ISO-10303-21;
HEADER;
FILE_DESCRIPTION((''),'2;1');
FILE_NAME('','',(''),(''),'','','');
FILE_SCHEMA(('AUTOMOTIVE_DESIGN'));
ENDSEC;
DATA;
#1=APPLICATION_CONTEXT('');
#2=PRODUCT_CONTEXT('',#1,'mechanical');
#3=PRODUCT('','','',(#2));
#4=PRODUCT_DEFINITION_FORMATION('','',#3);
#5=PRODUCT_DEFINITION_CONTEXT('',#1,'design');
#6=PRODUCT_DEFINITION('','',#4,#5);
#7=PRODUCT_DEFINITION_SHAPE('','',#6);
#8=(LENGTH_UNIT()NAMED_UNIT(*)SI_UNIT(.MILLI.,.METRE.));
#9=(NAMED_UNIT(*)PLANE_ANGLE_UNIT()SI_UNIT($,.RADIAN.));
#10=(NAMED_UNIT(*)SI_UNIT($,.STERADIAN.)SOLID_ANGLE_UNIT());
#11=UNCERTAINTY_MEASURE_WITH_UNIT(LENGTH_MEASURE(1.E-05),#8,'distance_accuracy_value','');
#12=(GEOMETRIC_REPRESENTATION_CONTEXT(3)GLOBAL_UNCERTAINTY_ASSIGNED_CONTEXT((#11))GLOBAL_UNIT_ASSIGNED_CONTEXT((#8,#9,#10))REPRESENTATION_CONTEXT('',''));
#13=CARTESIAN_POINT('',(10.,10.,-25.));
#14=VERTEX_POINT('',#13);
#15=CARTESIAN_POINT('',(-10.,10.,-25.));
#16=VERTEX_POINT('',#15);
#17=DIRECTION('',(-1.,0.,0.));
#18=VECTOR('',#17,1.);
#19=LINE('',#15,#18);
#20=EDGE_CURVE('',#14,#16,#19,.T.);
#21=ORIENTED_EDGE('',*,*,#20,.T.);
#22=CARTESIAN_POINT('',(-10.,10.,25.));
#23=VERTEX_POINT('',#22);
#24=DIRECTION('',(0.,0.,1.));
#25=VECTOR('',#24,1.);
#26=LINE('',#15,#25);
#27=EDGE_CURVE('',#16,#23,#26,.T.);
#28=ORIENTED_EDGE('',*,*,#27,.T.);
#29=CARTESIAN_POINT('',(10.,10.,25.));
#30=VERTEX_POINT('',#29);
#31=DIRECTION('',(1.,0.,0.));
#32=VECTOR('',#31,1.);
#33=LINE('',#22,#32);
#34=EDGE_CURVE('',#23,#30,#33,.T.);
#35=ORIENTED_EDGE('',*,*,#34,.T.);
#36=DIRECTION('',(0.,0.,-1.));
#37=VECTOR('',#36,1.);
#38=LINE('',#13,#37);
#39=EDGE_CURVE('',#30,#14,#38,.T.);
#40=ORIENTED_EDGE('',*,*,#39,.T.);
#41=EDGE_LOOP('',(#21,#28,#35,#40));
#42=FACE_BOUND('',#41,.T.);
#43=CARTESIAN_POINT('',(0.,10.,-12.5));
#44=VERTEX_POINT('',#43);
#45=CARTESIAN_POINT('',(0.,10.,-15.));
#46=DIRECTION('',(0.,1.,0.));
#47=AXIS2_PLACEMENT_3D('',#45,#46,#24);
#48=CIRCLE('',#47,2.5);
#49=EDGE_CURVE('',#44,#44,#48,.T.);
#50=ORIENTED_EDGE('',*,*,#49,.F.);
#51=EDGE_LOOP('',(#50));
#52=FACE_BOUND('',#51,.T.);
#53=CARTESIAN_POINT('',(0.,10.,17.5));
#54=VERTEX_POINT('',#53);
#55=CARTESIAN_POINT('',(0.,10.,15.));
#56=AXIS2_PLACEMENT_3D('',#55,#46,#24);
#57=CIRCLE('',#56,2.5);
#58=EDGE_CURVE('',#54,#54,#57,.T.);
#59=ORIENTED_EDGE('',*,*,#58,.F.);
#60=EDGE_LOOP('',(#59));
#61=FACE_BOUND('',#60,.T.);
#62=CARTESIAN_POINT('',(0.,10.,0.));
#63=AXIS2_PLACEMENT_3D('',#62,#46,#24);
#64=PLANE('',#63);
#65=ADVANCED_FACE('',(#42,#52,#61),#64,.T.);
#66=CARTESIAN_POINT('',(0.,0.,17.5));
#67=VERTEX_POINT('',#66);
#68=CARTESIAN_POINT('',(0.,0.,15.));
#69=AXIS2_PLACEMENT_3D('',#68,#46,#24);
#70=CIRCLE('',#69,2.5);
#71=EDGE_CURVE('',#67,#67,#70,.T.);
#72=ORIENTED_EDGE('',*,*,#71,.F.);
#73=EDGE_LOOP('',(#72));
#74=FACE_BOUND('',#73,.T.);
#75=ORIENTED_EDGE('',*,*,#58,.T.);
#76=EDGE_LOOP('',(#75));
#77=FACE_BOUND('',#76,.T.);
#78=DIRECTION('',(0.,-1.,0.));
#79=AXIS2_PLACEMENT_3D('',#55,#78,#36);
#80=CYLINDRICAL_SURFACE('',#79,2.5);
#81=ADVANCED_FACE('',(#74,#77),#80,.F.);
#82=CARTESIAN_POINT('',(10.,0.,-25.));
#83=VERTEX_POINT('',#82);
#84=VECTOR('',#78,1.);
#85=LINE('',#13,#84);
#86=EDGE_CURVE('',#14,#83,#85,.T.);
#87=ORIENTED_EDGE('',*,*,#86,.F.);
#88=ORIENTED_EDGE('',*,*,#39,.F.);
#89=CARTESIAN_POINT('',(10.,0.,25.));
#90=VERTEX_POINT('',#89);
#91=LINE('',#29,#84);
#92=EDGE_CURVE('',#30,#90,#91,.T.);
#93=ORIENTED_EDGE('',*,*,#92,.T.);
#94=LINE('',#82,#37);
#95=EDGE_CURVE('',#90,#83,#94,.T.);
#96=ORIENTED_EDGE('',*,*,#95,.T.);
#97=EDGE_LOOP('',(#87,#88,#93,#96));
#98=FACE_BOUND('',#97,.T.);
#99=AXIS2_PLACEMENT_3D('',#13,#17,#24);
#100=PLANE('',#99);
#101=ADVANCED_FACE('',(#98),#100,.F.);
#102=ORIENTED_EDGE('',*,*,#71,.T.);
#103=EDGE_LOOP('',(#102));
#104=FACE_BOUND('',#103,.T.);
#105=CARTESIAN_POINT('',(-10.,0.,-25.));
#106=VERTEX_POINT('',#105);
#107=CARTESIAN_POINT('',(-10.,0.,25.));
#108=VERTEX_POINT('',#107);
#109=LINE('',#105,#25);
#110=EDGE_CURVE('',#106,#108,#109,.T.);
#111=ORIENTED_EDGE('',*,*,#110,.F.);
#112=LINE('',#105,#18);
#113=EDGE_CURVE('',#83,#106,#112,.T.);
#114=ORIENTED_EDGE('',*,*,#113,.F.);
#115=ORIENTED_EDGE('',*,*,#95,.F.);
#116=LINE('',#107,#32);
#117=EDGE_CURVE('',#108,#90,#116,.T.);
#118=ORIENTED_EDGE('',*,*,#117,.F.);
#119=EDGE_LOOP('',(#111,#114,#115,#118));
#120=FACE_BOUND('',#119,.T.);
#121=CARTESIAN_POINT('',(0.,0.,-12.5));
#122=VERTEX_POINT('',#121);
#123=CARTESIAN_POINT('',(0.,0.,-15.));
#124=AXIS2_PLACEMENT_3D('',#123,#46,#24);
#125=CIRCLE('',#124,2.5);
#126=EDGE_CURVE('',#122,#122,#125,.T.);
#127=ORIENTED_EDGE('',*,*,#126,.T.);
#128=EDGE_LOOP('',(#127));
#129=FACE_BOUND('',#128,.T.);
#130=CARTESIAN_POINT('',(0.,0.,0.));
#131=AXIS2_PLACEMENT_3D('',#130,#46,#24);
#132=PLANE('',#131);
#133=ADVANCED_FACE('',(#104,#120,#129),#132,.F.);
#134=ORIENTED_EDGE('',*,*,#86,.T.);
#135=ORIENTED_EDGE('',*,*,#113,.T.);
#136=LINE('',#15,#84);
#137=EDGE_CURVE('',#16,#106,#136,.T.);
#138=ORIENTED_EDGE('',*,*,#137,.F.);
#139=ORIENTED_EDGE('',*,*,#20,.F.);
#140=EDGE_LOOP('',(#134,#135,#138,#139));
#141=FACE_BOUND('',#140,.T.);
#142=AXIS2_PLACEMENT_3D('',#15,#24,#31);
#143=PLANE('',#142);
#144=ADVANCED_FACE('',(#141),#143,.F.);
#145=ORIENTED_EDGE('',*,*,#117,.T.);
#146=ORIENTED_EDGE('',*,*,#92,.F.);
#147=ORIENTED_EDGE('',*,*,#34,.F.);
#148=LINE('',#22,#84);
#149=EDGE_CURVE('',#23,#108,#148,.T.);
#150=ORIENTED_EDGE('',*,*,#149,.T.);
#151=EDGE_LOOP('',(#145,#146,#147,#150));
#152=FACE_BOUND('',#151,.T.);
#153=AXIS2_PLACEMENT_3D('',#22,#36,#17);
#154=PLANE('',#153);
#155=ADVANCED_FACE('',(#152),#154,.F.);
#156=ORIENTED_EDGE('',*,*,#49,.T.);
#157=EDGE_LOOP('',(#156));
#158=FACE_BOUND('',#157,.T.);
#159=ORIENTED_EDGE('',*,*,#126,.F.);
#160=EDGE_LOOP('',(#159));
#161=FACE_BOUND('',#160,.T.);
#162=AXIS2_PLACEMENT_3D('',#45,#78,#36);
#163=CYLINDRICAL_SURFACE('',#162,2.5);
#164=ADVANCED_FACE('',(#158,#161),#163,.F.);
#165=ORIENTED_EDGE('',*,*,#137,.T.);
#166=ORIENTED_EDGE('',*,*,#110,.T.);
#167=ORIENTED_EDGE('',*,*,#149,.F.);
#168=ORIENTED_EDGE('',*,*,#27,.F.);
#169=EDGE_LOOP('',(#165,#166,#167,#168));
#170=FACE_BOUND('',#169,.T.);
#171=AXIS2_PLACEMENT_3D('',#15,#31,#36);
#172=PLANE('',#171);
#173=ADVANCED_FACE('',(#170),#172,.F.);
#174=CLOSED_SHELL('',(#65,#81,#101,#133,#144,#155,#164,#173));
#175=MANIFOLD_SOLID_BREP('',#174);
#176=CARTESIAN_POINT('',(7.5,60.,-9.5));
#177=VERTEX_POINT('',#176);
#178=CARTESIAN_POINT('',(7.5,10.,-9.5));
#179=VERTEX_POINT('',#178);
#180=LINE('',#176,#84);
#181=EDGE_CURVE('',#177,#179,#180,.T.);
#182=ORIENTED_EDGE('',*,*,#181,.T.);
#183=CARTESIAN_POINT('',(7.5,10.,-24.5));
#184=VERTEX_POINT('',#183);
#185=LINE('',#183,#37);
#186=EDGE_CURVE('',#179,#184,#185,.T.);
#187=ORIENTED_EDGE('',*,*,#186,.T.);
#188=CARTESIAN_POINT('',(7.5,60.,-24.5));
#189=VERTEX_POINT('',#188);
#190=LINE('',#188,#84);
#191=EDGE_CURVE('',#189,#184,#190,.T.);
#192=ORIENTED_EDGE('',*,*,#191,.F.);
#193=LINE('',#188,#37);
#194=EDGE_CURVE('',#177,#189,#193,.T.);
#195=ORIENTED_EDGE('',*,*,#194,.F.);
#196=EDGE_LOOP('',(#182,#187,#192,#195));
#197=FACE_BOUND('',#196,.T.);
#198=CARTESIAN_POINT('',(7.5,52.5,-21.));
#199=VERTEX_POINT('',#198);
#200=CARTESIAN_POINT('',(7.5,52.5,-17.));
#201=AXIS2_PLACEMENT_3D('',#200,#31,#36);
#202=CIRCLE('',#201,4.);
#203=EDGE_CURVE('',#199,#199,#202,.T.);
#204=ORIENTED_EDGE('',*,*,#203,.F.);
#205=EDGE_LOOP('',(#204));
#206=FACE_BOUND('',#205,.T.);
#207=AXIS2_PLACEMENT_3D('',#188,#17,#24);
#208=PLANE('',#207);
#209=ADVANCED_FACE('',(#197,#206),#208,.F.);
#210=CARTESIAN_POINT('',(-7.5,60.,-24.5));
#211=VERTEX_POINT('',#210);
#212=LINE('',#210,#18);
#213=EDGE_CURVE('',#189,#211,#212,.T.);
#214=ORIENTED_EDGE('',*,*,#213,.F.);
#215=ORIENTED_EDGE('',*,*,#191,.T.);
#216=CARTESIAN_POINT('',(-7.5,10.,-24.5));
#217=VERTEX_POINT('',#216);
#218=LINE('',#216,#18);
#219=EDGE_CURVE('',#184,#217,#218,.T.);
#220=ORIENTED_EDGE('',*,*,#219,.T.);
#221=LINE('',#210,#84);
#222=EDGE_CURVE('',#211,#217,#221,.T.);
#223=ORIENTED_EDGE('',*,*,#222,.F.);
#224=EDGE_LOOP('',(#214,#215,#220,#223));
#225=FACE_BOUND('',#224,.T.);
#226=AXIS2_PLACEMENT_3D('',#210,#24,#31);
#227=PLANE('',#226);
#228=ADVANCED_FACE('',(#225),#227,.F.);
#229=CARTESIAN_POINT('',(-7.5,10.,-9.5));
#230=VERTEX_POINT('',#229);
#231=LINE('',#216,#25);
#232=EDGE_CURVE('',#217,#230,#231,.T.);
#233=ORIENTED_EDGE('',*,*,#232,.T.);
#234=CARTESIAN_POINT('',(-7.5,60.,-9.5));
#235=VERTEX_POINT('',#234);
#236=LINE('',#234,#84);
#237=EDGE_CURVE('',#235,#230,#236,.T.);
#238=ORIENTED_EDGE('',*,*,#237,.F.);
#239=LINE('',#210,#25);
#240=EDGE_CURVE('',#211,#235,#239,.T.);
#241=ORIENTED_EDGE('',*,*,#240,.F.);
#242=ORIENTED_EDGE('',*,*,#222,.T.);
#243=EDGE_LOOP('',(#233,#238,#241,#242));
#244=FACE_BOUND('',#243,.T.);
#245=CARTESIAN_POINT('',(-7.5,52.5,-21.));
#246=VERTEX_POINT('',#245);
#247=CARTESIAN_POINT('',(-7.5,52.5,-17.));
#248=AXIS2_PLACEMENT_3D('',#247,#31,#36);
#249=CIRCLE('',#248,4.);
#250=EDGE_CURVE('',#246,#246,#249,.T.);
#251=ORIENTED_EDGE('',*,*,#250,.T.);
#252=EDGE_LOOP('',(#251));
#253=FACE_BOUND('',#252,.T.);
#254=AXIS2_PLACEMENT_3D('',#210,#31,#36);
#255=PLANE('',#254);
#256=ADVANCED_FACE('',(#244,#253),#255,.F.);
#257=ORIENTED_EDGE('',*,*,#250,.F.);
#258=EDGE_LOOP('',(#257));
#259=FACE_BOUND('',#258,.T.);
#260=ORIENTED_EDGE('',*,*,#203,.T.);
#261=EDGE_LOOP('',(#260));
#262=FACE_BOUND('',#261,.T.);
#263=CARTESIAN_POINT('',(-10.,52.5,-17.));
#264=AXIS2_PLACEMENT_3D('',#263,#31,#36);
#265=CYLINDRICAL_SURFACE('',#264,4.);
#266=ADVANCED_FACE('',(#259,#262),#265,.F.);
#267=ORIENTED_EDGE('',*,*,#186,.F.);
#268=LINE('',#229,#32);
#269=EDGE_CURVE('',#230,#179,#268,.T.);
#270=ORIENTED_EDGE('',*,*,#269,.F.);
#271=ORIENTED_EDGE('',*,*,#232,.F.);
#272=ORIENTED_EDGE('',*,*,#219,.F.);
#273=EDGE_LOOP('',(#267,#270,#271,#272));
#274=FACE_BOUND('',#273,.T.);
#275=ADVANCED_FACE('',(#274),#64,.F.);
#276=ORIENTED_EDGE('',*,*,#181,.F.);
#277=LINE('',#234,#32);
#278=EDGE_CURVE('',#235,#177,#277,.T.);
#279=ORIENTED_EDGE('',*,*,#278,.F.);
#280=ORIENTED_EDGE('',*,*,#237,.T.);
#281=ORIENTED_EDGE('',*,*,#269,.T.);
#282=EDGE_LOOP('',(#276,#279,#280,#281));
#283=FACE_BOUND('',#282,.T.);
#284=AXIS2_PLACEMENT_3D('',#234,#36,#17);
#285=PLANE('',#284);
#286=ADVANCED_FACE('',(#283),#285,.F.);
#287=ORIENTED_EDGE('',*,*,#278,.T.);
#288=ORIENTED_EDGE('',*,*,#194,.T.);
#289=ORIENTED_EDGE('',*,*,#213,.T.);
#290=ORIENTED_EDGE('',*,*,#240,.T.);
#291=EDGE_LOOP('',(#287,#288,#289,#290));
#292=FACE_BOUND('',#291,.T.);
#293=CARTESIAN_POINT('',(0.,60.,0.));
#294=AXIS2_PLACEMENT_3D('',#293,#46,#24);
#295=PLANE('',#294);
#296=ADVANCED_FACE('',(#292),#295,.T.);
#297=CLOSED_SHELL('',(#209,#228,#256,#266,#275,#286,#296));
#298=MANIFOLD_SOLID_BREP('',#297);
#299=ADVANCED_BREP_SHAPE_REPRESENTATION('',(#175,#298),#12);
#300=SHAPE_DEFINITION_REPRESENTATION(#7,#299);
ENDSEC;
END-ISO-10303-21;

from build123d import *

# Parameters (mm, degrees)
ESQUISSE1_W             = 20
ESQUISSE1_H             = 50
ESQUISSE1_R             = 2.5
BOSS_EXTRU_1_DEPTH      = 10
ESQUISSE2_W             = 15
ESQUISSE2_H             = 15
BOSS_EXTRU_2_DEPTH      = 50
ESQUISSE3_R             = 4
ENL_V_MAT_EXTRU_1_DEPTH = 68.314560089


with BuildPart() as part:
    # Esquisse1 → Boss.-Extru.1 (new body)
    with BuildSketch(Plane(origin=(0, 0, 0), x_dir=(1, 0, 0), z_dir=(0, 1, 0))):
        Rectangle(ESQUISSE1_W, ESQUISSE1_H)
        with Locations(Location((0, -15, 0), (0, 0, 270))):
            Circle(ESQUISSE1_R, mode=Mode.SUBTRACT)
        with Locations(Location((0, 15, 0), (0, 0, 270))):
            Circle(ESQUISSE1_R, mode=Mode.SUBTRACT)
    extrude(amount=BOSS_EXTRU_1_DEPTH)


with BuildPart() as body_2:
    # Esquisse2 → Boss.-Extru.2 (new body)
    with BuildSketch(Plane(origin=(0, 10, 0), x_dir=(1, 0, 0), z_dir=(0, 1, 0))):
        with Locations((0, 17)):
            Rectangle(ESQUISSE2_W, ESQUISSE2_H)
    extrude(amount=BOSS_EXTRU_2_DEPTH)

    # Esquisse3 → Enlèv. mat.-Extru.1 (cut, through all)
    with BuildSketch(Plane(origin=(7.5, 0, 0), x_dir=(0, 0, -1), z_dir=(1, 0, 0))):
        with Locations((17, 52.5)):
            Circle(ESQUISSE3_R)
    extrude(amount=-ENL_V_MAT_EXTRU_1_DEPTH, mode=Mode.SUBTRACT)


solid = Compound([part.part, body_2.part])
